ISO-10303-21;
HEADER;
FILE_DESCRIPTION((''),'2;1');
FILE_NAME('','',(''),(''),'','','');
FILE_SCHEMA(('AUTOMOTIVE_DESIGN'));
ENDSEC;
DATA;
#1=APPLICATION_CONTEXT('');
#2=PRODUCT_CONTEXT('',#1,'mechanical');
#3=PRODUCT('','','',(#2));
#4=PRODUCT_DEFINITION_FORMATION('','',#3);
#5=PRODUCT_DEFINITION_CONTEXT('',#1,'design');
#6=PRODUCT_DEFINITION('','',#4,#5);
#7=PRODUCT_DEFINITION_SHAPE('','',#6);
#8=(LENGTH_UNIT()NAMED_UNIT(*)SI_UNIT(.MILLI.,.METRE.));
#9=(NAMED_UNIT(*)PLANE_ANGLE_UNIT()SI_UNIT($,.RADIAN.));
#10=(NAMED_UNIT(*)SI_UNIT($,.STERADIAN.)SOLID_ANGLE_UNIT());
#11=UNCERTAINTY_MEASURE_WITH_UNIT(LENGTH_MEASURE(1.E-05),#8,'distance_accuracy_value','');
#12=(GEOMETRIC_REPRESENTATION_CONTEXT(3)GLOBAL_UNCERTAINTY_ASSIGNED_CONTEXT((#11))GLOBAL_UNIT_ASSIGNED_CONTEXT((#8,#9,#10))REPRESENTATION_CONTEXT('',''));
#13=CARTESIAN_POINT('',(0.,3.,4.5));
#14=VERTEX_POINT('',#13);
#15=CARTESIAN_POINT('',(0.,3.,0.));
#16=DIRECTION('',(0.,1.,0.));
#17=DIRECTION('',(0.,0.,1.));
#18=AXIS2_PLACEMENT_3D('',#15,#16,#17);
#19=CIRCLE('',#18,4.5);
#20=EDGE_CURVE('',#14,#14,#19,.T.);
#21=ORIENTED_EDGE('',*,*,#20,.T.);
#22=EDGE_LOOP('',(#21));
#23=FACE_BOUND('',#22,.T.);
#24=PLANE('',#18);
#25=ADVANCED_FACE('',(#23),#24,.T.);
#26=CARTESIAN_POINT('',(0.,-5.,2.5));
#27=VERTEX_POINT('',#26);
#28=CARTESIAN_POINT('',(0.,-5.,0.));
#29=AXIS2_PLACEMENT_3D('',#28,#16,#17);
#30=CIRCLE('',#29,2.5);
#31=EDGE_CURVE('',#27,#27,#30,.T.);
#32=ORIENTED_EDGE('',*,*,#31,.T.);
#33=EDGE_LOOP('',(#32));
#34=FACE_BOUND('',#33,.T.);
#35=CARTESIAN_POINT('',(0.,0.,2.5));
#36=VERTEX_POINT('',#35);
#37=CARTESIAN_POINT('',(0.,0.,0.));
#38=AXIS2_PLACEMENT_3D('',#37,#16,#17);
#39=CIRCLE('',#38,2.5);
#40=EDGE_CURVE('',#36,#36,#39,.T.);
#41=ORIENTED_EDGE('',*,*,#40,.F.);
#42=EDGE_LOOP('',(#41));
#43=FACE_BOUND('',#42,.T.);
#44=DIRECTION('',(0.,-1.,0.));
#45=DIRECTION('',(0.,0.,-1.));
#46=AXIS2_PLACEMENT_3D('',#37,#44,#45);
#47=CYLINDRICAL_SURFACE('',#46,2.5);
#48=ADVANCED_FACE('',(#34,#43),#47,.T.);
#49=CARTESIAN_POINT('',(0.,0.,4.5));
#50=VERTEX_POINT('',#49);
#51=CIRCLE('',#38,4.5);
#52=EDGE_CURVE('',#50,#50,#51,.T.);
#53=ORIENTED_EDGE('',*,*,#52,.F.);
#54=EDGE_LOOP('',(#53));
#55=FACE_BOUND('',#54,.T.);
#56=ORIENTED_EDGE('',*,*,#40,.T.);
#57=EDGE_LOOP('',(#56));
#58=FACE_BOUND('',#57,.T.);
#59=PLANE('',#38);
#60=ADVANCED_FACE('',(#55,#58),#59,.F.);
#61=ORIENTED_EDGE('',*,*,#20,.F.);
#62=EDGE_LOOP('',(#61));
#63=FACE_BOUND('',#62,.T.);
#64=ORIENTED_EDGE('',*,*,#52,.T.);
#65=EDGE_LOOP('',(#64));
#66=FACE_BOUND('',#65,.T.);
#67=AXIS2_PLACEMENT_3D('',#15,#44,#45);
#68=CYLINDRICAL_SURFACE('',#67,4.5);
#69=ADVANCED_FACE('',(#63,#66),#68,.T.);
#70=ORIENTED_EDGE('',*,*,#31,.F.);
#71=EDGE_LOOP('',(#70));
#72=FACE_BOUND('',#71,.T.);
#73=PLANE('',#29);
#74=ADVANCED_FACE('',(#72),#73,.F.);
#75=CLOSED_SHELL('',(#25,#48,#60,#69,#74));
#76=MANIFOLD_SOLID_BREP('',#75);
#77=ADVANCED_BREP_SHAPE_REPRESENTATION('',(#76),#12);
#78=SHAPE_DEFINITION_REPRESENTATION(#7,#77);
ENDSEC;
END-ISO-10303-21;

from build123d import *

# Parameters (mm, degrees)
SKETCH1_R    = 4.5
HEAD_DEPTH   = 3
THREAD_START = -5
SKETCH2_R    = 2.5
THREAD_DEPTH = 5


with BuildPart() as part:
    # Sketch1 → Head (new body)
    with BuildSketch(Plane(origin=(0, 0, 0), x_dir=(1, 0, 0), z_dir=(0, 1, 0))):
        with Locations(Location((0, 0, 0), (0, 0, 270))):
            Circle(SKETCH1_R)
    extrude(amount=HEAD_DEPTH)

    # Sketch2 → Thread (add)
    with BuildSketch(Plane(origin=(0, 0, 0), x_dir=(1, 0, 0), z_dir=(0, 1, 0)).offset(THREAD_START)):
        with Locations(Location((0, 0, 0), (0, 0, 270))):
            Circle(SKETCH2_R)
    extrude(amount=THREAD_DEPTH)


solid = part.part
